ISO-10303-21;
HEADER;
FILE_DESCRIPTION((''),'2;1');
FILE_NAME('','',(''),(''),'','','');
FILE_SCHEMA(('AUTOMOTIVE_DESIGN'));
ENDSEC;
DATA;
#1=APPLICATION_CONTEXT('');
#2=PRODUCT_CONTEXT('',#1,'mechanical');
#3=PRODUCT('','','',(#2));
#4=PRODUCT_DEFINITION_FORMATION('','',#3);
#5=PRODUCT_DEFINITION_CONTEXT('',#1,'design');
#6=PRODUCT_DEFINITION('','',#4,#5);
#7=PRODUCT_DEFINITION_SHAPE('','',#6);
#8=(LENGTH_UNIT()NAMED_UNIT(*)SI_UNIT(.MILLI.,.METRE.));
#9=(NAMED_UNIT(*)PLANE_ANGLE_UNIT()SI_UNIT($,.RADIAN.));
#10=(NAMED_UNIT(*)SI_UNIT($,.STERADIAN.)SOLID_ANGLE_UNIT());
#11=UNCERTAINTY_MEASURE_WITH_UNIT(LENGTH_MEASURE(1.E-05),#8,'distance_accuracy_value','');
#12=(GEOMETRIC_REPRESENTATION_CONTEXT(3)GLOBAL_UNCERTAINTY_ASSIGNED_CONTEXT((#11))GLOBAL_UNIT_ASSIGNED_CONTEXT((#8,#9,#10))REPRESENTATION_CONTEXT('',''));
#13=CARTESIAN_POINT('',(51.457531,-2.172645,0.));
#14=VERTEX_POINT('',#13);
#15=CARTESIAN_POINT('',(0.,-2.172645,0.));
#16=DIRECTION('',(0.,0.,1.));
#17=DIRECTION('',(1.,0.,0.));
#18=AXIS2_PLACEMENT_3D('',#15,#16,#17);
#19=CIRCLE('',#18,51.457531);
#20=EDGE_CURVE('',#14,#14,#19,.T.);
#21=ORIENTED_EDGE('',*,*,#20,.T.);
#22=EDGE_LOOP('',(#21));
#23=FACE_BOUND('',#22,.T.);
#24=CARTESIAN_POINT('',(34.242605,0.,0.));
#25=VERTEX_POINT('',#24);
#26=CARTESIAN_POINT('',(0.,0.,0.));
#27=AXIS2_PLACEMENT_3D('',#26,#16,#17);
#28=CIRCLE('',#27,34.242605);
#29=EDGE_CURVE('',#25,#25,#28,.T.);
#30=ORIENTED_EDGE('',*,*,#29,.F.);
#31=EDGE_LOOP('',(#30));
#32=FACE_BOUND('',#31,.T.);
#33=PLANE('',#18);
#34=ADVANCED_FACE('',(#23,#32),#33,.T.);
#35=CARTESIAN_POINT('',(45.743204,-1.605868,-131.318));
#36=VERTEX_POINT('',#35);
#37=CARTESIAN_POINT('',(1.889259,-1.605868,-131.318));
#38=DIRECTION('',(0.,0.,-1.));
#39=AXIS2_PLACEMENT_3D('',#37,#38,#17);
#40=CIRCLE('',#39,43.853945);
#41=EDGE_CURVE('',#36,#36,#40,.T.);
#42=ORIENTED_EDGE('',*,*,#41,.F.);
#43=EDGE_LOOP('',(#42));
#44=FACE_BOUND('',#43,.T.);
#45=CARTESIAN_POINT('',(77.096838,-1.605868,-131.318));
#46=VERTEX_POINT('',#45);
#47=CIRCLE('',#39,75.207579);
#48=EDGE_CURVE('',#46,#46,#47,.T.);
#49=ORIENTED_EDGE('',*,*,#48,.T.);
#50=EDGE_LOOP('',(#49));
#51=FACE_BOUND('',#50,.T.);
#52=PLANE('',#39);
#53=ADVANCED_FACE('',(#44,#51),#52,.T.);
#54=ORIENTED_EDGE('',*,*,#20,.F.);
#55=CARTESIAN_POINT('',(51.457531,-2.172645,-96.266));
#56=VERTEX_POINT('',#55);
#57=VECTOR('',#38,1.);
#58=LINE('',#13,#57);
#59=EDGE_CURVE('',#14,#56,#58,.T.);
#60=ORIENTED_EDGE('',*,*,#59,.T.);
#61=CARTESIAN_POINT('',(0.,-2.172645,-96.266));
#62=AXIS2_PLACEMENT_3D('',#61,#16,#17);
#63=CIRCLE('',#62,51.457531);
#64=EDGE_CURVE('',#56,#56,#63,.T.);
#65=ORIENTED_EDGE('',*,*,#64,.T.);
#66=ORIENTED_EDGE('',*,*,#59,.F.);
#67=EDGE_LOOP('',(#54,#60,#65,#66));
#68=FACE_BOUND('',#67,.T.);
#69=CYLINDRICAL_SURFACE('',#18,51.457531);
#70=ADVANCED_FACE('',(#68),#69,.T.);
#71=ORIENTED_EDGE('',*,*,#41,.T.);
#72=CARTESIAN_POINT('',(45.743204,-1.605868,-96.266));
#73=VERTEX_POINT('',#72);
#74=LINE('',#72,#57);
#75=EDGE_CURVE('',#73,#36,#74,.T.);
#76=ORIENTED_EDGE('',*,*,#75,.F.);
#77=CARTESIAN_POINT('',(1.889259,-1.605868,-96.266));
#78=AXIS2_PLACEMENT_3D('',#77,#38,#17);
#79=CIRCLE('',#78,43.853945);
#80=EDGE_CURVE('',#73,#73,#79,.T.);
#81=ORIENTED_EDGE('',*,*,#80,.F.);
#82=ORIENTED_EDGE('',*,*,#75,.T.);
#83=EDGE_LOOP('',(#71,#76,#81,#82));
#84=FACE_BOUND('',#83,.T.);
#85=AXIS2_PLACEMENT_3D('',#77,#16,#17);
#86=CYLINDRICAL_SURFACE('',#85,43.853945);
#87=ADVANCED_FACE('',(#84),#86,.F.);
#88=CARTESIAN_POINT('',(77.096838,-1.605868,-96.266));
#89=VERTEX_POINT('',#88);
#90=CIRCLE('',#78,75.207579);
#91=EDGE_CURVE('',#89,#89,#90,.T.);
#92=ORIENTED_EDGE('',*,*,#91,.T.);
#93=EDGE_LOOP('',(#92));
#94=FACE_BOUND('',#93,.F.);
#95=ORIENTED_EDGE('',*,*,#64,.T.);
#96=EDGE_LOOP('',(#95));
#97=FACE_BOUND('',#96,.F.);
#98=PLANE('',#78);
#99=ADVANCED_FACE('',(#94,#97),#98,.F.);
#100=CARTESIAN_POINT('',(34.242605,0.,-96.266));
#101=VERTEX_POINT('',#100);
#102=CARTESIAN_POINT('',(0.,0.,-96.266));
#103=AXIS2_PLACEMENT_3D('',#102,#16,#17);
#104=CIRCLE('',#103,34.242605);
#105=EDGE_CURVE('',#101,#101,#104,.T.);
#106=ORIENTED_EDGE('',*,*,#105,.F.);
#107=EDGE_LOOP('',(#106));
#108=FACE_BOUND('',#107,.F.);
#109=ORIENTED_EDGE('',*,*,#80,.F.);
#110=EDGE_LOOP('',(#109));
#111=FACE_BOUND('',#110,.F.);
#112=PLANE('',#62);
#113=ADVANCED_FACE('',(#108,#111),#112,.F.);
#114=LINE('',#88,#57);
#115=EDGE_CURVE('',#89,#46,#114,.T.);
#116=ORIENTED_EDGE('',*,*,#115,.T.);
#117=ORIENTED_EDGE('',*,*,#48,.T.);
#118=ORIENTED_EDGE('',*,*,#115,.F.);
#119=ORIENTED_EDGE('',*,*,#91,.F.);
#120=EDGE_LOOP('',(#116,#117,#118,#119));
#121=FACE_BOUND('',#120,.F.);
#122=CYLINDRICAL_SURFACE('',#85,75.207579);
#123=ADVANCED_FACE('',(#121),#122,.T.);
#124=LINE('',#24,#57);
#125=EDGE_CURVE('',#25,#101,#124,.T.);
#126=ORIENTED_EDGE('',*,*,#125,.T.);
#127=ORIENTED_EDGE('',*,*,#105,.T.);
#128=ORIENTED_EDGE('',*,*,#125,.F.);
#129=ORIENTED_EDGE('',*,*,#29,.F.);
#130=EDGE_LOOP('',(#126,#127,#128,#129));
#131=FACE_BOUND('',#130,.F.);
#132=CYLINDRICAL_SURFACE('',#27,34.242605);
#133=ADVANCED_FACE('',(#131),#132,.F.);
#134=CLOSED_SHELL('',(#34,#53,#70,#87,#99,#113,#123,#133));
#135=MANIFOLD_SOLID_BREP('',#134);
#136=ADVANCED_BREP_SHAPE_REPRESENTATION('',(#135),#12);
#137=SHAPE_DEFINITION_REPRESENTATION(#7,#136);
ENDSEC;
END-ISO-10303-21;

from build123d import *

# Parameters (mm, degrees)
F0_R     = 51.457531
F0_R_2   = 34.242605
F1_DEPTH = 96.266
F2_R     = 75.207579
F2_R_2   = 43.853945
F3_DEPTH = 35.052


with BuildPart() as f1:
    # F0 (on Top) → F1 (new body)
    with BuildSketch(Plane.XY):
        with Locations((0, -2.172645)):
            Circle(F0_R)
        Circle(F0_R_2, mode=Mode.SUBTRACT)
    extrude(amount=-F1_DEPTH)

    # F2 (on face) → F3 (join)
    with BuildSketch(Plane(origin=(0, 0, -96.266), x_dir=(1, 0, 0), z_dir=(0, 0, -1))):
        with Locations((1.889259, 1.605868)):
            Circle(F2_R)
        with Locations((1.889259, 1.605868)):
            Circle(F2_R_2, mode=Mode.SUBTRACT)
    extrude(amount=F3_DEPTH)


solid = f1.part
